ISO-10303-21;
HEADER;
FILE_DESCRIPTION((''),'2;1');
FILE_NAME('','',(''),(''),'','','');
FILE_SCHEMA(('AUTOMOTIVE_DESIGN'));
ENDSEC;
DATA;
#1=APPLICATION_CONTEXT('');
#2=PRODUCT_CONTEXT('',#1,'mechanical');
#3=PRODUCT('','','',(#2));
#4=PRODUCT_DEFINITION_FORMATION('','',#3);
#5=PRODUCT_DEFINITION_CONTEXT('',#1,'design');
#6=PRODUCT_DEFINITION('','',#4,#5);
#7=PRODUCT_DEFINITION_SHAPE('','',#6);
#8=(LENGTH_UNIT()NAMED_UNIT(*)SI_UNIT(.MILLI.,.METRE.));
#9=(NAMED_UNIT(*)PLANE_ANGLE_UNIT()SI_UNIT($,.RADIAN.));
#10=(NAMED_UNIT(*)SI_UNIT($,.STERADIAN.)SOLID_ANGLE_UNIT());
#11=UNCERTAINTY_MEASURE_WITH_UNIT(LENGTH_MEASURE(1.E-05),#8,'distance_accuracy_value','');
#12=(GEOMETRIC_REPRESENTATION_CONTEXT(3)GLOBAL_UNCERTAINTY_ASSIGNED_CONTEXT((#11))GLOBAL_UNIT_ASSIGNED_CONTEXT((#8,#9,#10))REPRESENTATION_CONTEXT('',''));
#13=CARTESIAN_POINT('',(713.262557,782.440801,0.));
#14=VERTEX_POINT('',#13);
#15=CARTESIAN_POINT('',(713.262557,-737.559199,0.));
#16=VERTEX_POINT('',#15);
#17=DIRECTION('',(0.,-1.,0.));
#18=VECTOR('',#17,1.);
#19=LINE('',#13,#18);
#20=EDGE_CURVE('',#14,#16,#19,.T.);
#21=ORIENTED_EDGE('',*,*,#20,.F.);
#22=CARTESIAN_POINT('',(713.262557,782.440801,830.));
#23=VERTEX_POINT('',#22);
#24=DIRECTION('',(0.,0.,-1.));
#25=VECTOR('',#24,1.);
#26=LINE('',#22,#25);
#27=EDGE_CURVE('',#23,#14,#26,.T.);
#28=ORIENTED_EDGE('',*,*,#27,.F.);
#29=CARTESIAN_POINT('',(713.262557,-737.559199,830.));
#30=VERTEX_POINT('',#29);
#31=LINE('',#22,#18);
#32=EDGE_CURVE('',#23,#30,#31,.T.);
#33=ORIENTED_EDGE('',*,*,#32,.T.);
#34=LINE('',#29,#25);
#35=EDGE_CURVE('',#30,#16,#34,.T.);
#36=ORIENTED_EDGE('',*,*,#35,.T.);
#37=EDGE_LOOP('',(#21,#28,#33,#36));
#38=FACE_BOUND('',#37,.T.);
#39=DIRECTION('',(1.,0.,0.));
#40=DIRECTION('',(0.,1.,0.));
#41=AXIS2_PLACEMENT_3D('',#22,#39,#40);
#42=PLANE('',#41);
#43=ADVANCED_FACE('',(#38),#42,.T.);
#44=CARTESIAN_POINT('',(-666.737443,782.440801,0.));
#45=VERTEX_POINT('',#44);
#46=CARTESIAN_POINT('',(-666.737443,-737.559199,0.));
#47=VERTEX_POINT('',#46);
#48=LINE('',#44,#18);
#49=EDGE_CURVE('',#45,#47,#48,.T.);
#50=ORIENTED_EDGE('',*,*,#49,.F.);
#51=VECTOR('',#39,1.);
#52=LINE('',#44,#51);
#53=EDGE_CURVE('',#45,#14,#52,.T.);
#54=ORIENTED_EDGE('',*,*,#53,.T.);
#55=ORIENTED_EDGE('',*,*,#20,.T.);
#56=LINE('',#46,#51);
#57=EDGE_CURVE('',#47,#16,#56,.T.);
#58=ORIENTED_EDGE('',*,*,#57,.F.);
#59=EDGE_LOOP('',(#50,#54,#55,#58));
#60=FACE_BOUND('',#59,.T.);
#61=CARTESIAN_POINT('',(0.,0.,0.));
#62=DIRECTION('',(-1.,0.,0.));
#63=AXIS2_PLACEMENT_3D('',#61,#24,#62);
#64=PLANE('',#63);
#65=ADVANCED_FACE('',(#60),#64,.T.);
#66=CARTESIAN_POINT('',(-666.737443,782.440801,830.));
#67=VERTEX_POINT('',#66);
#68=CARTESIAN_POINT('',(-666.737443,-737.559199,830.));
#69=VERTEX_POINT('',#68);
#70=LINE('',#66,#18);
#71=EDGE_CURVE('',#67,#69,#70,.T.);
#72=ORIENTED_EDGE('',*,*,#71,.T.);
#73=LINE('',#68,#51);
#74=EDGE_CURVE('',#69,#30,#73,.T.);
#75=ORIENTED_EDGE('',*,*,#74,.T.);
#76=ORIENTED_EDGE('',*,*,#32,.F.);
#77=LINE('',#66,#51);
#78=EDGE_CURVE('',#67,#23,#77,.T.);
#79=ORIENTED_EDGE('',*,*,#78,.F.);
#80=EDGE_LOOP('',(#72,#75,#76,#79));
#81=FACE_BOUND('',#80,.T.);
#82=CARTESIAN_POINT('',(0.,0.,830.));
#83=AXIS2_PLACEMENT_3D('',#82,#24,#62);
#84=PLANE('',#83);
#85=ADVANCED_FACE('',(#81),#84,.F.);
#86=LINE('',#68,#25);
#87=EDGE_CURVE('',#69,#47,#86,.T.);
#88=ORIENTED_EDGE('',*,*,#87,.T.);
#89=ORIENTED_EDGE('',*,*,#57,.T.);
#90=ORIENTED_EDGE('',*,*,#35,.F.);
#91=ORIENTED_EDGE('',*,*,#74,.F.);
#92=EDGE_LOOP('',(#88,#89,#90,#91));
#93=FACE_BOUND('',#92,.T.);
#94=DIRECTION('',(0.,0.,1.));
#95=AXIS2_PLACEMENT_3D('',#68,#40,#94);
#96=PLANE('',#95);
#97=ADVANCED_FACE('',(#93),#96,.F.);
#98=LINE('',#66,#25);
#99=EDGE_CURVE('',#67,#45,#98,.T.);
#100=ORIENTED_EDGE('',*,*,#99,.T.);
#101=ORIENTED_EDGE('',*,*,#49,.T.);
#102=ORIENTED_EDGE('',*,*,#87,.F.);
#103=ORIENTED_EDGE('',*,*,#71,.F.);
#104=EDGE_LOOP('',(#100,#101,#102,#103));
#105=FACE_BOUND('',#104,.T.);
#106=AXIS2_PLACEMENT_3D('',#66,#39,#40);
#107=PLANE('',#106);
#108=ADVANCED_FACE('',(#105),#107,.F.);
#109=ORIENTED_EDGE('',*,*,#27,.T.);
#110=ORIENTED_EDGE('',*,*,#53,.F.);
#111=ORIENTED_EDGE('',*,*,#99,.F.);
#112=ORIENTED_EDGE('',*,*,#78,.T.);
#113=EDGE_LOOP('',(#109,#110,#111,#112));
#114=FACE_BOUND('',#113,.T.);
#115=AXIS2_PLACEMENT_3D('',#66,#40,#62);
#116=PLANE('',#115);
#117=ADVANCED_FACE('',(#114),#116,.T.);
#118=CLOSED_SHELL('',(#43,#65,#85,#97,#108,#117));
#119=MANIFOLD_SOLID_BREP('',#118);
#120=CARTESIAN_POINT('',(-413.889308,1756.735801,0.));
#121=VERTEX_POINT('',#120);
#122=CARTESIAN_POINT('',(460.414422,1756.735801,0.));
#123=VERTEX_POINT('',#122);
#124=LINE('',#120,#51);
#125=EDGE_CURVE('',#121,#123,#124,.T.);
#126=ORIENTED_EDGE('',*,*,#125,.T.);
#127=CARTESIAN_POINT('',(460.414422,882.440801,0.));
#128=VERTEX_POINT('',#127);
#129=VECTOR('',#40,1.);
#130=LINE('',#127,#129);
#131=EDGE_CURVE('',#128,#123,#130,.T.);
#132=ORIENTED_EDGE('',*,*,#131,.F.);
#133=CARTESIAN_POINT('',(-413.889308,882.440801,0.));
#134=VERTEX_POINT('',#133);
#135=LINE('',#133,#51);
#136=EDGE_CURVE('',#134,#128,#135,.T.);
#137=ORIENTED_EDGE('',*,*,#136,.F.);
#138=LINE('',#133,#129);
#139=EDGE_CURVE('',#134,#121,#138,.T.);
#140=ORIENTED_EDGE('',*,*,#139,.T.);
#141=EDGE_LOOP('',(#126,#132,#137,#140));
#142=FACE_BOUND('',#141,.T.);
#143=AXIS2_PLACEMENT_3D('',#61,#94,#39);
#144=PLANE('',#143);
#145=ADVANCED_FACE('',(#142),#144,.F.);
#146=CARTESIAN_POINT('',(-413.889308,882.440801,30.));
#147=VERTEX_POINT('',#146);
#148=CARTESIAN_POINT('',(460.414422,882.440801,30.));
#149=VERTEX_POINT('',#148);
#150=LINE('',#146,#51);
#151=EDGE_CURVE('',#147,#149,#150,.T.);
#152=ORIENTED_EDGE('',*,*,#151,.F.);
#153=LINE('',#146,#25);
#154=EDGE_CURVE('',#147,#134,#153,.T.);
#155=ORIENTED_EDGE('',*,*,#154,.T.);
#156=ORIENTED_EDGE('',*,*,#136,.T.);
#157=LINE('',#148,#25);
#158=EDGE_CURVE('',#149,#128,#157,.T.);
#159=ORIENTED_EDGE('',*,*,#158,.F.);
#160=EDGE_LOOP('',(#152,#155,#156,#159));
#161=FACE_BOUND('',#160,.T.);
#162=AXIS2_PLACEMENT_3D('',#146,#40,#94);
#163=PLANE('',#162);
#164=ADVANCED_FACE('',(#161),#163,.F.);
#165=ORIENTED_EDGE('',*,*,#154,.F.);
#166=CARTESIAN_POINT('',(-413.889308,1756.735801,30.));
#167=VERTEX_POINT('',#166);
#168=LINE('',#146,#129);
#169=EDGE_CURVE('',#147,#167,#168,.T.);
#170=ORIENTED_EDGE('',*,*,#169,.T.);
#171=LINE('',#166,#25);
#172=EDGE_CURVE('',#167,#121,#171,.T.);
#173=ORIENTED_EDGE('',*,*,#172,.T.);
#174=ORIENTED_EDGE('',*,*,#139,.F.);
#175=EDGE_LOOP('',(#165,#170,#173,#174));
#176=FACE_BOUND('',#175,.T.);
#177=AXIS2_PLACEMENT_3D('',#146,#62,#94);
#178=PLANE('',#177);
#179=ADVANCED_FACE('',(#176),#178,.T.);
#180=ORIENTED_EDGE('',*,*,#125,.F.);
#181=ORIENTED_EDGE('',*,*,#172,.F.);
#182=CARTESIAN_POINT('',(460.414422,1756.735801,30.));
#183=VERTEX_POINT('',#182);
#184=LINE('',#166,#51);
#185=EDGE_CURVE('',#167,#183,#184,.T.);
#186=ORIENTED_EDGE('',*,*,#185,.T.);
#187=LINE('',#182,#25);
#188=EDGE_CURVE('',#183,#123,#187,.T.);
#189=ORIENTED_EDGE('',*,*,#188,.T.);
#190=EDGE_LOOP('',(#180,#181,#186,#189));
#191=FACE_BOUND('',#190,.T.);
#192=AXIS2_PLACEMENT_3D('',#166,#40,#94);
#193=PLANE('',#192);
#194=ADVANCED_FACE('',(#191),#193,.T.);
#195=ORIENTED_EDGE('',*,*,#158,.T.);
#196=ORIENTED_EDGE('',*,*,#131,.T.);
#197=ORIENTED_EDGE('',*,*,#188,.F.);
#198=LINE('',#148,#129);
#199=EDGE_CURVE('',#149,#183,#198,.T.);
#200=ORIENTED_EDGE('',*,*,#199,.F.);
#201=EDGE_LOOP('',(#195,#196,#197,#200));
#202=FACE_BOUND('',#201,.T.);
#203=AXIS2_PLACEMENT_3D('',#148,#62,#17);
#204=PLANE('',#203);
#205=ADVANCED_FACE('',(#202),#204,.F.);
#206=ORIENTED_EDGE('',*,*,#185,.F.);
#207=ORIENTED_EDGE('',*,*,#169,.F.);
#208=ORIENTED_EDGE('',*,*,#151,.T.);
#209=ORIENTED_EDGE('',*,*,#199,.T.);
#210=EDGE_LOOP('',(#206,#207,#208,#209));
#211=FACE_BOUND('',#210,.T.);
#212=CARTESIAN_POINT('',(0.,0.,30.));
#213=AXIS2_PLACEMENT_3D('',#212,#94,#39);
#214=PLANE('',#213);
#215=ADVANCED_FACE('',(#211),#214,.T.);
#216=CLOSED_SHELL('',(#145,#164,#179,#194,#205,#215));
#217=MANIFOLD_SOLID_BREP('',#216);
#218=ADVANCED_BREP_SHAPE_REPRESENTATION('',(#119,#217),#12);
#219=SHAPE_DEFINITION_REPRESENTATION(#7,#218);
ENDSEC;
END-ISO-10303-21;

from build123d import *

# Parameters (mm, degrees)
SKETCH2_W           = 1380
SKETCH2_H           = 1520
BOSS_EXTRUDE3_DEPTH = 830
SKETCH3_W           = 874.303729776
SKETCH3_H           = 874.295
BOSS_EXTRUDE6_DEPTH = 30


with BuildPart() as part:
    # Sketch2 → Boss-Extrude3 (new body)
    with BuildSketch(Plane.XY):
        with Locations((23.262557024, 22.44080113)):
            Rectangle(SKETCH2_W, SKETCH2_H)
    extrude(amount=BOSS_EXTRUDE3_DEPTH)


with BuildPart() as body_2:
    # Sketch3 → Boss-Extrude6 (new body)
    with BuildSketch(Plane.XY):
        with Locations((23.262557024, 1319.58830113)):
            Rectangle(SKETCH3_W, SKETCH3_H)
    extrude(amount=BOSS_EXTRUDE6_DEPTH)


solid = Compound([part.part, body_2.part])
